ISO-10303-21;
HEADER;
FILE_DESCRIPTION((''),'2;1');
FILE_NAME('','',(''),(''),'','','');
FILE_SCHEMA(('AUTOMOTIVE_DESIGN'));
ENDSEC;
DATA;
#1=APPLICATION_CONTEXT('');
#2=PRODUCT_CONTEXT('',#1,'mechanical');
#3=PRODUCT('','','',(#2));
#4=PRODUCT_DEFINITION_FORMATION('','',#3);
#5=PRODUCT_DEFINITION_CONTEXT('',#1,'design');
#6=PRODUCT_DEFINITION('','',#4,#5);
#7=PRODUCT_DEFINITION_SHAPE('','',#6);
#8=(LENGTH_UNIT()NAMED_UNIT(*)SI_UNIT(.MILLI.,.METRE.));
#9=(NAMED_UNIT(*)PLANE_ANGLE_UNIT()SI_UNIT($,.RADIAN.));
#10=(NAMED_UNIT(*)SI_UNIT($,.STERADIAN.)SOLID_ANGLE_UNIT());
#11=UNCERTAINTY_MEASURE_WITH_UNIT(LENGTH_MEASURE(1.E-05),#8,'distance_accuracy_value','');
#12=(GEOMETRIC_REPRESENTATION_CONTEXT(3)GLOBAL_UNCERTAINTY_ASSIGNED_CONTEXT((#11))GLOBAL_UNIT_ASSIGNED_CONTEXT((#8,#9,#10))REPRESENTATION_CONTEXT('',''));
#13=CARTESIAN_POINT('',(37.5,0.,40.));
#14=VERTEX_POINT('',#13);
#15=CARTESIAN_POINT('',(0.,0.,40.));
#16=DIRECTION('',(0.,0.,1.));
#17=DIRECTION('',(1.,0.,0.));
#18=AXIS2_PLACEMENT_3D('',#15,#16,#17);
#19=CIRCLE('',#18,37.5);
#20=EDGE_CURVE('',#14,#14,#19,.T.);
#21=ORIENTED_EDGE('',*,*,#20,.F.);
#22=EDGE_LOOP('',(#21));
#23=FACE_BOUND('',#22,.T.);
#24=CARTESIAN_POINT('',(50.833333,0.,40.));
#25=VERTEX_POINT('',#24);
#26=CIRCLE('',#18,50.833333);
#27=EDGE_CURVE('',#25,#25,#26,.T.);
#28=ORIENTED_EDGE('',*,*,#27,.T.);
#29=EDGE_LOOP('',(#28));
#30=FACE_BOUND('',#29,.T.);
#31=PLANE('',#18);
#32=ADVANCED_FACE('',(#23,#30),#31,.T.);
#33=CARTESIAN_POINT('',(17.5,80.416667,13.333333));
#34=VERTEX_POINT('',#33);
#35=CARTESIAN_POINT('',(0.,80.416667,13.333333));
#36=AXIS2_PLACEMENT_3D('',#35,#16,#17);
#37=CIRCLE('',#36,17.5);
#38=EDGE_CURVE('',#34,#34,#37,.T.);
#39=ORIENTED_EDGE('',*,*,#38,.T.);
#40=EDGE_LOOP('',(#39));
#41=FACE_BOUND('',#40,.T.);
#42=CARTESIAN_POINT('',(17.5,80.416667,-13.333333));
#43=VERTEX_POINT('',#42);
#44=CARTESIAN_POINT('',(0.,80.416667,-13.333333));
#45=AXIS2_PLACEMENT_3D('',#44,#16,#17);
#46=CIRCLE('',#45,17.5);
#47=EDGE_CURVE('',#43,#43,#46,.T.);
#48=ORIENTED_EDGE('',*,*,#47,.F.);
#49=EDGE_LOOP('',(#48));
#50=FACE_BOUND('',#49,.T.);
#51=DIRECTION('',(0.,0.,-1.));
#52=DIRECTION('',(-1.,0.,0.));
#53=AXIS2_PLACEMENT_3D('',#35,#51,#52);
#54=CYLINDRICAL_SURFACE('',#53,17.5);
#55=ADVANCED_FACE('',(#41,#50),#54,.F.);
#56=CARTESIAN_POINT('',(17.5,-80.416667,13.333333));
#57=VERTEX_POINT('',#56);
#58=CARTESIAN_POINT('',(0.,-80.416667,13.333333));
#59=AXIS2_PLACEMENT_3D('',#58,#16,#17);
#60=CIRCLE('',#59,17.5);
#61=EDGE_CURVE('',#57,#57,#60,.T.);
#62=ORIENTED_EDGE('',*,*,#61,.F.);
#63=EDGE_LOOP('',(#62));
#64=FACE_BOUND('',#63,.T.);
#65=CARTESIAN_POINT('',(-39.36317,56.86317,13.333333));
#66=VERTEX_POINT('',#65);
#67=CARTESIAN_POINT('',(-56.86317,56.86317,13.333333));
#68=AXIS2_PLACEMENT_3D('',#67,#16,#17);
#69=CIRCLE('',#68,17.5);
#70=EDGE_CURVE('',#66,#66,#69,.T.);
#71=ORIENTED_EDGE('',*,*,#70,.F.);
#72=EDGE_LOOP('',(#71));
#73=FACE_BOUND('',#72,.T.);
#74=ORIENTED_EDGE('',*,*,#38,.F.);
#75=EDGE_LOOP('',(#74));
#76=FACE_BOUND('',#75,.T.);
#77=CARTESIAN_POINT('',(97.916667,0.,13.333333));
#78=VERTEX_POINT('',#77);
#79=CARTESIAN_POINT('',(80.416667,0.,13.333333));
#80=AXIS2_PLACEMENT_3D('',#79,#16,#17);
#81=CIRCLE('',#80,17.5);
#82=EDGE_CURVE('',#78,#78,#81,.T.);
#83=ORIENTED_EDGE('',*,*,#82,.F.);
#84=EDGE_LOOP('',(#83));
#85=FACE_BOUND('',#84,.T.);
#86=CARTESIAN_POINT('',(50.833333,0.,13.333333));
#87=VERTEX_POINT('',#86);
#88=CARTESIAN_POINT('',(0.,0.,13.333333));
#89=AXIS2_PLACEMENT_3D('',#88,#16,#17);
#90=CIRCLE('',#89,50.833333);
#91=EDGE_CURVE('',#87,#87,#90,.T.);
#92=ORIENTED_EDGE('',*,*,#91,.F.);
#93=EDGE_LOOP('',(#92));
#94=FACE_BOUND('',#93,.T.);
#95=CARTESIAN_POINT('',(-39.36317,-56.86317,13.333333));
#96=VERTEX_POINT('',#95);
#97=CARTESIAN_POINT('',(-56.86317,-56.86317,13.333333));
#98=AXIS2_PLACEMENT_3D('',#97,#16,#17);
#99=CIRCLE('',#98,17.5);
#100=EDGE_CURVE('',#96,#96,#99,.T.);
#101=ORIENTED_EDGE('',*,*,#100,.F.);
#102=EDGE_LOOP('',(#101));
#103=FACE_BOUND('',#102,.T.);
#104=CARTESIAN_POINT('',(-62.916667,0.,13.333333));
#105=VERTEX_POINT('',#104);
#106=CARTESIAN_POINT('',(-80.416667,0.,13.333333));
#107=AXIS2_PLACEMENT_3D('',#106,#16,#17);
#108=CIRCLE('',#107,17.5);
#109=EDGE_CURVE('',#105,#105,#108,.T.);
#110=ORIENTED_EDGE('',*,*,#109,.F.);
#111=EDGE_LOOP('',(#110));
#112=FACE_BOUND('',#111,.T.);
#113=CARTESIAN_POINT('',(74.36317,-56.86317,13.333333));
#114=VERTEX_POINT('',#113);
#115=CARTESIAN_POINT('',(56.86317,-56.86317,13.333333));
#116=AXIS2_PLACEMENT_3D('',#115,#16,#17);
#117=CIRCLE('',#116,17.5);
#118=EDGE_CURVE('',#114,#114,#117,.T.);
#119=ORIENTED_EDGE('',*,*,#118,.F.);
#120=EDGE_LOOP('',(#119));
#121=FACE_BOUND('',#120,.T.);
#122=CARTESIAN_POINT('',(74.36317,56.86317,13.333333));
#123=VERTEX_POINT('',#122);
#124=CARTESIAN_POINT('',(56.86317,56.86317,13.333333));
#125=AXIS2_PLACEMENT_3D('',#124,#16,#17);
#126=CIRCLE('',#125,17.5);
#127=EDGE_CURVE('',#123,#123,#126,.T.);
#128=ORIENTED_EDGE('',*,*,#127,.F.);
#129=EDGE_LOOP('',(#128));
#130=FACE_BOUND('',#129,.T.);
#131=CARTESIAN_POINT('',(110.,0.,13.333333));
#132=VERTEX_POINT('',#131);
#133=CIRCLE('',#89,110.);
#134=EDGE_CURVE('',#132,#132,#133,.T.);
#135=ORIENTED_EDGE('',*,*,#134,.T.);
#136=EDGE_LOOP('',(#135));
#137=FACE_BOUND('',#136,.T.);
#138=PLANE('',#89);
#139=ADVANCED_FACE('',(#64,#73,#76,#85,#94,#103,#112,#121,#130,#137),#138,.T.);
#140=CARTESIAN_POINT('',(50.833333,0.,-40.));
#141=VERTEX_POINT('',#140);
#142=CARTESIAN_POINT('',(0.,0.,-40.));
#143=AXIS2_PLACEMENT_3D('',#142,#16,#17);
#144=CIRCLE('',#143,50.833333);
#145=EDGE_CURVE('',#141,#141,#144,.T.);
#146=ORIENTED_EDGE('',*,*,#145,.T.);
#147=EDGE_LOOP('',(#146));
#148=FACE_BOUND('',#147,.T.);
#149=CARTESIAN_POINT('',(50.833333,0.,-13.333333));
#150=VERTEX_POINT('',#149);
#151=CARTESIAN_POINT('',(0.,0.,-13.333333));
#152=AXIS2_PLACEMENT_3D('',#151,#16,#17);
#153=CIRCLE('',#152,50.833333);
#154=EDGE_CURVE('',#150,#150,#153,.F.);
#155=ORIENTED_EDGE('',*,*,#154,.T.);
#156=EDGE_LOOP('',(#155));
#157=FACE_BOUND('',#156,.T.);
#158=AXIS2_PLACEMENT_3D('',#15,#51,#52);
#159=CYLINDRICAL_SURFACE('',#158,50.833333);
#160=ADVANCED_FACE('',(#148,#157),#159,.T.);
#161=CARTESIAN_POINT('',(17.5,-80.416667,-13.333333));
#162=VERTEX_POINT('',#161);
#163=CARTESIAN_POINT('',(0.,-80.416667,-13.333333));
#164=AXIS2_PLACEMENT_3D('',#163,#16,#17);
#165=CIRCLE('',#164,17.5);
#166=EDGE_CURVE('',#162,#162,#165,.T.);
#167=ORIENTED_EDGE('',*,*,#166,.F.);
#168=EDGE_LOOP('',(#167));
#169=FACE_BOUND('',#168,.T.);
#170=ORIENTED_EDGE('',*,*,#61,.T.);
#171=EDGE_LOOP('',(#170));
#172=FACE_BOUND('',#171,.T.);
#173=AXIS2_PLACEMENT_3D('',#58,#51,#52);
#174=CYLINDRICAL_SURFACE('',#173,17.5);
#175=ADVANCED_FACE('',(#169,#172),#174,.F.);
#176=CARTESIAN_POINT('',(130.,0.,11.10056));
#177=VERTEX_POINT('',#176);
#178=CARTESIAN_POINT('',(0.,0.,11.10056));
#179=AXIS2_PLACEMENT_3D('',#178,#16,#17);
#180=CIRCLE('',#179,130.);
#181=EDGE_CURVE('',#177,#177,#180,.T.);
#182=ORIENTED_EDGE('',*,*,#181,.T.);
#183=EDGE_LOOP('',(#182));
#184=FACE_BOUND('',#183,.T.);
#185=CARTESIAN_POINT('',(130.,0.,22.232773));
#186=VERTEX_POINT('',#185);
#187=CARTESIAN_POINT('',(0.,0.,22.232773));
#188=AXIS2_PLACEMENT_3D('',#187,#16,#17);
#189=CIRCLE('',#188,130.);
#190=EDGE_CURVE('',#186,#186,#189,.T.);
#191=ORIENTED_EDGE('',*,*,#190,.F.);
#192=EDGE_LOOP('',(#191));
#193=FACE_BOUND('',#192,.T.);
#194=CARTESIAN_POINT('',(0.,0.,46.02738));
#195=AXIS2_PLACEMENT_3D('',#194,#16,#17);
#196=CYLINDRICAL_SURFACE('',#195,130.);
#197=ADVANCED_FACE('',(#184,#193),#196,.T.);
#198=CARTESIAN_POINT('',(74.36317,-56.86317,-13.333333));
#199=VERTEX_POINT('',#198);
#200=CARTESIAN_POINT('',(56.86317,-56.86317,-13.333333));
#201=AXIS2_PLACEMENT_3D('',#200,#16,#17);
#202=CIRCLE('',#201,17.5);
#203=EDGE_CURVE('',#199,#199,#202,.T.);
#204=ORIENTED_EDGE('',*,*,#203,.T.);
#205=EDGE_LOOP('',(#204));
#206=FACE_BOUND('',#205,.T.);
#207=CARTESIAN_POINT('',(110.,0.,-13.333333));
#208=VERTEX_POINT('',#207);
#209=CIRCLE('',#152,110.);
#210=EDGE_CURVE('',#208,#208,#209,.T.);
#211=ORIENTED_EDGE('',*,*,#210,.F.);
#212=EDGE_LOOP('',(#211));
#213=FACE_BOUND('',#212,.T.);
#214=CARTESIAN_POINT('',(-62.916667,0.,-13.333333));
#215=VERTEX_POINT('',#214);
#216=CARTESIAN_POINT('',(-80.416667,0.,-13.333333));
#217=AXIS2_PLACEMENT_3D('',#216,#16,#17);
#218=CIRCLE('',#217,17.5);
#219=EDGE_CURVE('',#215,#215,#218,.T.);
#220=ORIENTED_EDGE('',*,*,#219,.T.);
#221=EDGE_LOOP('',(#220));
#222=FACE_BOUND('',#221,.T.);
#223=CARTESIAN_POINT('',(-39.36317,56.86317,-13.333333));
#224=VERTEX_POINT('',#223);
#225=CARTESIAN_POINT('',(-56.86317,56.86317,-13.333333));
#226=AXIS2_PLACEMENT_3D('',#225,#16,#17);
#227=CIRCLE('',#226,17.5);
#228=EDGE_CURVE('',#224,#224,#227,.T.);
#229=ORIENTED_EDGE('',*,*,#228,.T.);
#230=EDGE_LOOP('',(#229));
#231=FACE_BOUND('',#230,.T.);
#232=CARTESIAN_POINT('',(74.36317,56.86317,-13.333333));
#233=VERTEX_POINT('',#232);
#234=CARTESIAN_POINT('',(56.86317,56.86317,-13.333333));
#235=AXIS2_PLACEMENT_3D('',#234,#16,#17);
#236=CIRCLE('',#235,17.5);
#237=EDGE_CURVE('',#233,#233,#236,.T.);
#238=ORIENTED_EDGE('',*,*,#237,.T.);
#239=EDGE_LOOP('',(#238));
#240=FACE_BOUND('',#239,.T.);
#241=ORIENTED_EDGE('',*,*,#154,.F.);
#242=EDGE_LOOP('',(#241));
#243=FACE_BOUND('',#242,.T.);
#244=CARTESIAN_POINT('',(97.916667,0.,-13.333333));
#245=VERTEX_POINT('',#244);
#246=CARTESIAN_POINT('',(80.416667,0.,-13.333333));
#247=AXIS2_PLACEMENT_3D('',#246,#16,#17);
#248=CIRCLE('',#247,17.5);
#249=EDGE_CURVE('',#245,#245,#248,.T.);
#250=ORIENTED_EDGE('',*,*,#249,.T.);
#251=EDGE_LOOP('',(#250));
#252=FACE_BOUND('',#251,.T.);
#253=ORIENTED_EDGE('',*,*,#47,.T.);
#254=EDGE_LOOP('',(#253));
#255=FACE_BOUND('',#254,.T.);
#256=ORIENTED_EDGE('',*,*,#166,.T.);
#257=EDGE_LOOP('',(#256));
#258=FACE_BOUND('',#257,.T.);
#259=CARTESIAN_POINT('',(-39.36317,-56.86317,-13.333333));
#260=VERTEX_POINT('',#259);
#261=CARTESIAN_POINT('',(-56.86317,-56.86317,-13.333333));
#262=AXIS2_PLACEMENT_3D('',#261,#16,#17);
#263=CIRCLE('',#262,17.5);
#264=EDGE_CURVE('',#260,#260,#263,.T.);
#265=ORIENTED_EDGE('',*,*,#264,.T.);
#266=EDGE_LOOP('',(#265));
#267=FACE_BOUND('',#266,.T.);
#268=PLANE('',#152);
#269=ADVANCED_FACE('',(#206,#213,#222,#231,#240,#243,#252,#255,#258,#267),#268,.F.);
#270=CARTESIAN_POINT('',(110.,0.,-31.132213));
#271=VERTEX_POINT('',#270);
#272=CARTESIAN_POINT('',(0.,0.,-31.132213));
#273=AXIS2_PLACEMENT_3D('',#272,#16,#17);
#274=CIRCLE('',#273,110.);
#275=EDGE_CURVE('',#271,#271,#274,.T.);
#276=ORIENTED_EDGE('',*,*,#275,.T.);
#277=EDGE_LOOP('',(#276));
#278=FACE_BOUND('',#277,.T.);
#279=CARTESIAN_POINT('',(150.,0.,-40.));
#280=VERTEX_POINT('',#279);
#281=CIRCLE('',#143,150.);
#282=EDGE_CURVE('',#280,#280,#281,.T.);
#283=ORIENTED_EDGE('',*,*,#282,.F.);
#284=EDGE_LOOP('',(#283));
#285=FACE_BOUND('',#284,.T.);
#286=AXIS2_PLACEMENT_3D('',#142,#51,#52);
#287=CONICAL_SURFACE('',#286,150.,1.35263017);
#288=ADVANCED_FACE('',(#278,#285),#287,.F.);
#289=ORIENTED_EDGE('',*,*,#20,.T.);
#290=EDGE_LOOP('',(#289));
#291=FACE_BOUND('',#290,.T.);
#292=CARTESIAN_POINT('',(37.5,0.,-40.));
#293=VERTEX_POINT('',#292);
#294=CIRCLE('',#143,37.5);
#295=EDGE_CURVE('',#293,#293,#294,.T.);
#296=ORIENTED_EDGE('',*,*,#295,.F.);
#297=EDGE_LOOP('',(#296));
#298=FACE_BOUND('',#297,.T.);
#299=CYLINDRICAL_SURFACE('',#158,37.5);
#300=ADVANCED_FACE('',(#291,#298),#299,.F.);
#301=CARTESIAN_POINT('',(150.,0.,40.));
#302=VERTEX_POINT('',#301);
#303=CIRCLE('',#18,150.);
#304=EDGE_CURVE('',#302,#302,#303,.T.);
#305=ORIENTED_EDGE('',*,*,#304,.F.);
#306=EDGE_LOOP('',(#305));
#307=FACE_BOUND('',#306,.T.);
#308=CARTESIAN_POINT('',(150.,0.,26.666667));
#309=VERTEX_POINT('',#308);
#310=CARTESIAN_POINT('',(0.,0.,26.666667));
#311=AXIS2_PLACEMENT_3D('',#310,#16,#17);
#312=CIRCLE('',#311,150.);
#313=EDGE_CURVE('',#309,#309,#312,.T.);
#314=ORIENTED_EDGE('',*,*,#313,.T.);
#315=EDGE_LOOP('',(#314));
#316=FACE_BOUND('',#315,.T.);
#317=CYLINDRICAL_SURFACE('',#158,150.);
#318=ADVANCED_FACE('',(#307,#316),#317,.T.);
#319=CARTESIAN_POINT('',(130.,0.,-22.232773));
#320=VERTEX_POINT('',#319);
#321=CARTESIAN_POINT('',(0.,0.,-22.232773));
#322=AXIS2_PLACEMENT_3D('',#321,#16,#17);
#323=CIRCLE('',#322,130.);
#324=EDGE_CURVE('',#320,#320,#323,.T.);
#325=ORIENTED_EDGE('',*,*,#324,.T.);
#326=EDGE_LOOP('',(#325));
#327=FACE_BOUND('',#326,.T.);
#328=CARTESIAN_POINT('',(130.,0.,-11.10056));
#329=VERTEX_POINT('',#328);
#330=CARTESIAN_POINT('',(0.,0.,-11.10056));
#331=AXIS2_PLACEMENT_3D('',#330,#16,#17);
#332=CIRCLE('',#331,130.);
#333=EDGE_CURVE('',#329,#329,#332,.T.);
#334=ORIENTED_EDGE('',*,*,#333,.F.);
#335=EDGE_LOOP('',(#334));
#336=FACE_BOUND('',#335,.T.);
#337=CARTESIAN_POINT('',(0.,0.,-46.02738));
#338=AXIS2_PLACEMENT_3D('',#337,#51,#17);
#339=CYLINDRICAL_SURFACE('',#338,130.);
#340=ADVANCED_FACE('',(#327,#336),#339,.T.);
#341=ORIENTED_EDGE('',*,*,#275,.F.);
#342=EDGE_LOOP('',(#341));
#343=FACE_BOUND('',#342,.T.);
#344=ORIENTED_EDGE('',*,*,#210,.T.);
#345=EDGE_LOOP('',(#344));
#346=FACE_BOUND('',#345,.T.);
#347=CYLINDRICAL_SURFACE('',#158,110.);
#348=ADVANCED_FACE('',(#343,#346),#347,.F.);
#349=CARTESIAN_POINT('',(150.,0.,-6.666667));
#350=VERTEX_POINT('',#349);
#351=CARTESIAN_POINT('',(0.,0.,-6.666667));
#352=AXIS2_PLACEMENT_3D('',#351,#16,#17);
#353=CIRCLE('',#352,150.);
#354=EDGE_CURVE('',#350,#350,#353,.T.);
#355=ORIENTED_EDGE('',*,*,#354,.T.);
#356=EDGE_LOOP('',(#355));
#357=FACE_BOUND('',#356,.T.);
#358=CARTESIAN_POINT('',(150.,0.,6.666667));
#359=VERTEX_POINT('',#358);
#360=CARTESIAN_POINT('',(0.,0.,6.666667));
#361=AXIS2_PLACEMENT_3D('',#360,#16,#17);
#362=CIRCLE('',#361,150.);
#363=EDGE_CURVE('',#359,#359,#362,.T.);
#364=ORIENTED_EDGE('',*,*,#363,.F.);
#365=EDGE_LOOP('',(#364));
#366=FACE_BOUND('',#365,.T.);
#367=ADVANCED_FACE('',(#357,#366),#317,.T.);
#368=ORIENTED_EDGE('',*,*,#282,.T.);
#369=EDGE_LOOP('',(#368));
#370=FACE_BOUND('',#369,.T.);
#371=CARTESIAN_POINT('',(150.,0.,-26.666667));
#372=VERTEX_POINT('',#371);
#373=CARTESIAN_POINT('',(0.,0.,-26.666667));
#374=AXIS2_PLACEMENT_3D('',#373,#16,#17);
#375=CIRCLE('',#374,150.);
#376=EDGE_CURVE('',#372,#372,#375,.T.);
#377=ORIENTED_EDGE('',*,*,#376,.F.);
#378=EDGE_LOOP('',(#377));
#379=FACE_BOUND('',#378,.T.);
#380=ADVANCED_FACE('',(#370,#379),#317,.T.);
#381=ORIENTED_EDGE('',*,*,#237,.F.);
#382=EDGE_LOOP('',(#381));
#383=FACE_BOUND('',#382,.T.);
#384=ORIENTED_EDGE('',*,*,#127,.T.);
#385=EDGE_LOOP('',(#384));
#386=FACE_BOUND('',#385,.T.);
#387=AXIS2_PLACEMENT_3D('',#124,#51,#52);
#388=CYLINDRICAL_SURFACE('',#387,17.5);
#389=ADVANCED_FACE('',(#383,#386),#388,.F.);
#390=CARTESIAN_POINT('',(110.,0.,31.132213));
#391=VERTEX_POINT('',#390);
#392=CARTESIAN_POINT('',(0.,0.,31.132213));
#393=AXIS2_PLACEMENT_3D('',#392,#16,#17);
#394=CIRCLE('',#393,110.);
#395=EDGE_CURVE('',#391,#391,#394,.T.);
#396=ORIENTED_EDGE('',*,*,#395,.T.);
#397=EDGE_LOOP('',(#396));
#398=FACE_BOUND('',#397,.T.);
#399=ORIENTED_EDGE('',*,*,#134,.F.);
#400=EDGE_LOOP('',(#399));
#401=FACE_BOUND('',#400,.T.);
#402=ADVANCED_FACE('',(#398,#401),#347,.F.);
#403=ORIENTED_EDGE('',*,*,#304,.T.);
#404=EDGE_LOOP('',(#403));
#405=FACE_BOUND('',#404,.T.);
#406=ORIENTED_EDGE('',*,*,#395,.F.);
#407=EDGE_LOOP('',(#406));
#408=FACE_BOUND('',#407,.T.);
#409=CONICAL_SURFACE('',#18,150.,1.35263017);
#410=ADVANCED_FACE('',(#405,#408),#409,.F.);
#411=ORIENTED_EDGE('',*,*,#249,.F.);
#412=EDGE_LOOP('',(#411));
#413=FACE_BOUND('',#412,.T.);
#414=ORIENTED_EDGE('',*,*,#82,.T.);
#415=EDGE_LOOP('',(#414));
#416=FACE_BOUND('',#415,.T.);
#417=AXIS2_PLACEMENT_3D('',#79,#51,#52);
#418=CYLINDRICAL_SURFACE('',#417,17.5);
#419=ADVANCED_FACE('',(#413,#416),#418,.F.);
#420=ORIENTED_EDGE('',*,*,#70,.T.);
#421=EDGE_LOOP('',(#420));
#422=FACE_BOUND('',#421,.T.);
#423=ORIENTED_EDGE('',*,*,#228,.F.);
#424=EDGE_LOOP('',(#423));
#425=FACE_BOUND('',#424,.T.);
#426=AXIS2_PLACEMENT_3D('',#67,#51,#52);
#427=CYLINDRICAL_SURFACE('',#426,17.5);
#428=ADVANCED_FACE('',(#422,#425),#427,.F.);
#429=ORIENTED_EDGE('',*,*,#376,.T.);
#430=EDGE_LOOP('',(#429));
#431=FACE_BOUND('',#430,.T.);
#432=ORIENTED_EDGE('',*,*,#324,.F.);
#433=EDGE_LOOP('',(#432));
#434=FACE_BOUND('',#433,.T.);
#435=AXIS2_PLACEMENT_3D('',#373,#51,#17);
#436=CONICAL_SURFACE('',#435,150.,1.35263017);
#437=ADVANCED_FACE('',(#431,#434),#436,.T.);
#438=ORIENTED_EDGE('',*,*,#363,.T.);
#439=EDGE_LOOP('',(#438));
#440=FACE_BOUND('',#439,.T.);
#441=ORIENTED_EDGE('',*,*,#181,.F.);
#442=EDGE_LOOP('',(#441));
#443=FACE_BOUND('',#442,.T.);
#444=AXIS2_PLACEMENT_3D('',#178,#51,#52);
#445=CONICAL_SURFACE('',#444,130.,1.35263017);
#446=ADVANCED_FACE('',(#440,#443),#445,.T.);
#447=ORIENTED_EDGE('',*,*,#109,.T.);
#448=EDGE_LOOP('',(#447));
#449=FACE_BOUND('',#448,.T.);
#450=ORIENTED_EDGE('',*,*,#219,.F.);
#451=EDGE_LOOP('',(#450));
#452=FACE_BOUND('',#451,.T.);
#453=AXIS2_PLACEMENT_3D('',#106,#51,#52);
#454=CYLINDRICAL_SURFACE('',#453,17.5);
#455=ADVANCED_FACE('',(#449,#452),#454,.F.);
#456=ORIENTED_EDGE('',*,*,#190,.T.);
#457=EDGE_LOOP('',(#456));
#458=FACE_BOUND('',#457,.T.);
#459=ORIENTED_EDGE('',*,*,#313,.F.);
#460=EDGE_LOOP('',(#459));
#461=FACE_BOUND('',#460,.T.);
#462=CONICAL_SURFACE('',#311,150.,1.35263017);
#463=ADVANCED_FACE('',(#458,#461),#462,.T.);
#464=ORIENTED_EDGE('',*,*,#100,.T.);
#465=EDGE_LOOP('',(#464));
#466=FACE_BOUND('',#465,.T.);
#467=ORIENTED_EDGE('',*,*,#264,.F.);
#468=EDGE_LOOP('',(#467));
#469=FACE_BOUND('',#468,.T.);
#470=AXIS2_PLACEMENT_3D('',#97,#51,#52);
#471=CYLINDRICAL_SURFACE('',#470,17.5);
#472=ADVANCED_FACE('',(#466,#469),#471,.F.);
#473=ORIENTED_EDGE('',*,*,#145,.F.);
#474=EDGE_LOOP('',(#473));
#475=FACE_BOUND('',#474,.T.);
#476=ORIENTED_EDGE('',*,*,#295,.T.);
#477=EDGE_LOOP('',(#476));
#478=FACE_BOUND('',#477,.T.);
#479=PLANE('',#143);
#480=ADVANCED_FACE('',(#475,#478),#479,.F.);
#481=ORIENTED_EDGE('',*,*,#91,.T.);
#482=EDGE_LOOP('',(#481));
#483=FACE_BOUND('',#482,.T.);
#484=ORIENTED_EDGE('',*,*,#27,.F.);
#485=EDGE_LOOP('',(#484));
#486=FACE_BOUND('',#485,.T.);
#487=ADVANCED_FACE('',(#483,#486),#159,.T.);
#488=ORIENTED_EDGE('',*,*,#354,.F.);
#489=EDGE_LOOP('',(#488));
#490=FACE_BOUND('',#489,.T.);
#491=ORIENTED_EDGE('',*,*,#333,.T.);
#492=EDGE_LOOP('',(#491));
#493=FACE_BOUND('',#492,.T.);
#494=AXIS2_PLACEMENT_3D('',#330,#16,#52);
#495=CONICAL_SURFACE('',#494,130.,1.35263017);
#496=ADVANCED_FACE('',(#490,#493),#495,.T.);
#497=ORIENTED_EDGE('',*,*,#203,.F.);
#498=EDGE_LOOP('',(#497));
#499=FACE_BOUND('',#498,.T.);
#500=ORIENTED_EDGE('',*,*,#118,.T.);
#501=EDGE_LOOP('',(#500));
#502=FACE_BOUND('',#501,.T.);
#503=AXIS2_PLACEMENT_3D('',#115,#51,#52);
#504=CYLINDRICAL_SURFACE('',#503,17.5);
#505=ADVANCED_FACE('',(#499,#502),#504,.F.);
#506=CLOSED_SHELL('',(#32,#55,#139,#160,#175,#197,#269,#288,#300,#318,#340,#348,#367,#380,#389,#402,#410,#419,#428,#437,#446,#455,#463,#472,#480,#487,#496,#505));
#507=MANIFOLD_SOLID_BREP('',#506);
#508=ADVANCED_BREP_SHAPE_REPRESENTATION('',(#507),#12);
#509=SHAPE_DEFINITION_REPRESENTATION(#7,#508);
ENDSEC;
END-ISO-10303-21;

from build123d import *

# Parameters (mm, degrees)
SKETCH1_R             = 50.833333333
SKETCH1_R_2           = 37.5
BOSS_EXTRUDE1_DEPTH   = 40
SKETCH1_R_3           = 150
SKETCH1_R_4           = 110
BOSS_EXTRUDE1_2_DEPTH = 40
SKETCH1_3_R           = 17.5
BOSS_EXTRUDE2_DEPTH   = 13.333333333


with BuildPart() as part:
    # Sketch1 → Boss-Extrude1 (new, symmetric)
    with BuildSketch(Plane.XY):
        Circle(SKETCH1_R)
        Circle(SKETCH1_R_2, mode=Mode.SUBTRACT)
    extrude(amount=BOSS_EXTRUDE1_DEPTH, both=True)



with BuildPart() as body_2:
    # Sketch1 → Boss-Extrude1 2 (new, symmetric)
    with BuildSketch(Plane.XY):
        Circle(SKETCH1_R_3)
        Circle(SKETCH1_R_4, mode=Mode.SUBTRACT)
    extrude(amount=BOSS_EXTRUDE1_2_DEPTH, both=True)


with BuildPart() as part_1:
    add(part.part)

    add(body_2.part)  # Boss-Extrude2 merges body 2
    # Sketch1<3> → Boss-Extrude2 (add, symmetric)
    with BuildSketch(Plane.XY):
        with BuildLine():
            ThreePointArc((110, 0), (77.781745931, 77.781745931), (0, 110))
            ThreePointArc((0, 110), (-77.781745931, -77.781745931), (110, 0))
        make_face()
        with Locations((-56.86317032, -56.86317032)):
            Circle(SKETCH1_3_R, mode=Mode.SUBTRACT)
        with Locations((0, -80.416666667)):
            Circle(SKETCH1_3_R, mode=Mode.SUBTRACT)
        with Locations((56.86317032, -56.86317032)):
            Circle(SKETCH1_3_R, mode=Mode.SUBTRACT)
        with Locations((-80.416666667, 0)):
            Circle(SKETCH1_3_R, mode=Mode.SUBTRACT)
        with Locations((-56.86317032, 56.86317032)):
            Circle(SKETCH1_3_R, mode=Mode.SUBTRACT)
        with BuildLine():
            ThreePointArc((50.833333333, 0), (-35.94459471, -35.94459471), (0, 50.833333333))
            ThreePointArc((0, 50.833333333), (35.94459471, 35.94459471), (50.833333333, 0))
        make_face(mode=Mode.SUBTRACT)
        with Locations((56.86317032, 56.86317032)):
            Circle(SKETCH1_3_R, mode=Mode.SUBTRACT)
        with Locations((80.416666667, 0)):
            Circle(SKETCH1_3_R, mode=Mode.SUBTRACT)
        with BuildLine():
            ThreePointArc((17.5, 80.416666667), (12.374368671, 68.042297996), (0, 62.916666667))
            ThreePointArc((0, 62.916666667), (-17.5, 80.416666667), (0, 97.916666667))
            ThreePointArc((0, 97.916666667), (12.374368671, 92.791035337), (17.5, 80.416666667))
        make_face(mode=Mode.SUBTRACT)
    extrude(amount=BOSS_EXTRUDE2_DEPTH, both=True)

    # Sketch2 → Cut-Revolve2 (revolve, cut)
    with BuildSketch(Plane(origin=(0, 0, 0), x_dir=(0, 0, -1), z_dir=(1, 0, 0))):
        Polygon((-40, 150), (-31.132213494, 110), (-40, 110), align=None)
    revolve(axis=Axis((0, 0, 46.027380227), (0, 0, -1)), mode=Mode.SUBTRACT)

    # Sketch2<5> → Cut-Revolve3 (revolve, cut)
    with BuildSketch(Plane(origin=(0, 0, 0), x_dir=(0, 0, -1), z_dir=(1, 0, 0))):
        Polygon((31.132213494, 110), (40, 110), (40, 150), align=None)
    revolve(axis=Axis((0, 0, 46.027380227), (0, 0, -1)), mode=Mode.SUBTRACT)

    # Sketch2<7> → Cut-Revolve5 (revolve, cut)
    with BuildSketch(Plane(origin=(0, 0, 0), x_dir=(0, 0, -1), z_dir=(1, 0, 0))):
        Polygon((-6.666666667, 150), (-26.666666667, 150), (-22.232773414, 130), (-11.10055992, 130), align=None)
    cut_revolve5 = revolve(axis=Axis((0, 0, 46.027380227), (0, 0, -1)), mode=Mode.SUBTRACT)

    # Mirror1: Cut-Revolve5 across plane
    add(cut_revolve5.mirror(Plane.XY), mode=Mode.SUBTRACT)


solid = part_1.part
